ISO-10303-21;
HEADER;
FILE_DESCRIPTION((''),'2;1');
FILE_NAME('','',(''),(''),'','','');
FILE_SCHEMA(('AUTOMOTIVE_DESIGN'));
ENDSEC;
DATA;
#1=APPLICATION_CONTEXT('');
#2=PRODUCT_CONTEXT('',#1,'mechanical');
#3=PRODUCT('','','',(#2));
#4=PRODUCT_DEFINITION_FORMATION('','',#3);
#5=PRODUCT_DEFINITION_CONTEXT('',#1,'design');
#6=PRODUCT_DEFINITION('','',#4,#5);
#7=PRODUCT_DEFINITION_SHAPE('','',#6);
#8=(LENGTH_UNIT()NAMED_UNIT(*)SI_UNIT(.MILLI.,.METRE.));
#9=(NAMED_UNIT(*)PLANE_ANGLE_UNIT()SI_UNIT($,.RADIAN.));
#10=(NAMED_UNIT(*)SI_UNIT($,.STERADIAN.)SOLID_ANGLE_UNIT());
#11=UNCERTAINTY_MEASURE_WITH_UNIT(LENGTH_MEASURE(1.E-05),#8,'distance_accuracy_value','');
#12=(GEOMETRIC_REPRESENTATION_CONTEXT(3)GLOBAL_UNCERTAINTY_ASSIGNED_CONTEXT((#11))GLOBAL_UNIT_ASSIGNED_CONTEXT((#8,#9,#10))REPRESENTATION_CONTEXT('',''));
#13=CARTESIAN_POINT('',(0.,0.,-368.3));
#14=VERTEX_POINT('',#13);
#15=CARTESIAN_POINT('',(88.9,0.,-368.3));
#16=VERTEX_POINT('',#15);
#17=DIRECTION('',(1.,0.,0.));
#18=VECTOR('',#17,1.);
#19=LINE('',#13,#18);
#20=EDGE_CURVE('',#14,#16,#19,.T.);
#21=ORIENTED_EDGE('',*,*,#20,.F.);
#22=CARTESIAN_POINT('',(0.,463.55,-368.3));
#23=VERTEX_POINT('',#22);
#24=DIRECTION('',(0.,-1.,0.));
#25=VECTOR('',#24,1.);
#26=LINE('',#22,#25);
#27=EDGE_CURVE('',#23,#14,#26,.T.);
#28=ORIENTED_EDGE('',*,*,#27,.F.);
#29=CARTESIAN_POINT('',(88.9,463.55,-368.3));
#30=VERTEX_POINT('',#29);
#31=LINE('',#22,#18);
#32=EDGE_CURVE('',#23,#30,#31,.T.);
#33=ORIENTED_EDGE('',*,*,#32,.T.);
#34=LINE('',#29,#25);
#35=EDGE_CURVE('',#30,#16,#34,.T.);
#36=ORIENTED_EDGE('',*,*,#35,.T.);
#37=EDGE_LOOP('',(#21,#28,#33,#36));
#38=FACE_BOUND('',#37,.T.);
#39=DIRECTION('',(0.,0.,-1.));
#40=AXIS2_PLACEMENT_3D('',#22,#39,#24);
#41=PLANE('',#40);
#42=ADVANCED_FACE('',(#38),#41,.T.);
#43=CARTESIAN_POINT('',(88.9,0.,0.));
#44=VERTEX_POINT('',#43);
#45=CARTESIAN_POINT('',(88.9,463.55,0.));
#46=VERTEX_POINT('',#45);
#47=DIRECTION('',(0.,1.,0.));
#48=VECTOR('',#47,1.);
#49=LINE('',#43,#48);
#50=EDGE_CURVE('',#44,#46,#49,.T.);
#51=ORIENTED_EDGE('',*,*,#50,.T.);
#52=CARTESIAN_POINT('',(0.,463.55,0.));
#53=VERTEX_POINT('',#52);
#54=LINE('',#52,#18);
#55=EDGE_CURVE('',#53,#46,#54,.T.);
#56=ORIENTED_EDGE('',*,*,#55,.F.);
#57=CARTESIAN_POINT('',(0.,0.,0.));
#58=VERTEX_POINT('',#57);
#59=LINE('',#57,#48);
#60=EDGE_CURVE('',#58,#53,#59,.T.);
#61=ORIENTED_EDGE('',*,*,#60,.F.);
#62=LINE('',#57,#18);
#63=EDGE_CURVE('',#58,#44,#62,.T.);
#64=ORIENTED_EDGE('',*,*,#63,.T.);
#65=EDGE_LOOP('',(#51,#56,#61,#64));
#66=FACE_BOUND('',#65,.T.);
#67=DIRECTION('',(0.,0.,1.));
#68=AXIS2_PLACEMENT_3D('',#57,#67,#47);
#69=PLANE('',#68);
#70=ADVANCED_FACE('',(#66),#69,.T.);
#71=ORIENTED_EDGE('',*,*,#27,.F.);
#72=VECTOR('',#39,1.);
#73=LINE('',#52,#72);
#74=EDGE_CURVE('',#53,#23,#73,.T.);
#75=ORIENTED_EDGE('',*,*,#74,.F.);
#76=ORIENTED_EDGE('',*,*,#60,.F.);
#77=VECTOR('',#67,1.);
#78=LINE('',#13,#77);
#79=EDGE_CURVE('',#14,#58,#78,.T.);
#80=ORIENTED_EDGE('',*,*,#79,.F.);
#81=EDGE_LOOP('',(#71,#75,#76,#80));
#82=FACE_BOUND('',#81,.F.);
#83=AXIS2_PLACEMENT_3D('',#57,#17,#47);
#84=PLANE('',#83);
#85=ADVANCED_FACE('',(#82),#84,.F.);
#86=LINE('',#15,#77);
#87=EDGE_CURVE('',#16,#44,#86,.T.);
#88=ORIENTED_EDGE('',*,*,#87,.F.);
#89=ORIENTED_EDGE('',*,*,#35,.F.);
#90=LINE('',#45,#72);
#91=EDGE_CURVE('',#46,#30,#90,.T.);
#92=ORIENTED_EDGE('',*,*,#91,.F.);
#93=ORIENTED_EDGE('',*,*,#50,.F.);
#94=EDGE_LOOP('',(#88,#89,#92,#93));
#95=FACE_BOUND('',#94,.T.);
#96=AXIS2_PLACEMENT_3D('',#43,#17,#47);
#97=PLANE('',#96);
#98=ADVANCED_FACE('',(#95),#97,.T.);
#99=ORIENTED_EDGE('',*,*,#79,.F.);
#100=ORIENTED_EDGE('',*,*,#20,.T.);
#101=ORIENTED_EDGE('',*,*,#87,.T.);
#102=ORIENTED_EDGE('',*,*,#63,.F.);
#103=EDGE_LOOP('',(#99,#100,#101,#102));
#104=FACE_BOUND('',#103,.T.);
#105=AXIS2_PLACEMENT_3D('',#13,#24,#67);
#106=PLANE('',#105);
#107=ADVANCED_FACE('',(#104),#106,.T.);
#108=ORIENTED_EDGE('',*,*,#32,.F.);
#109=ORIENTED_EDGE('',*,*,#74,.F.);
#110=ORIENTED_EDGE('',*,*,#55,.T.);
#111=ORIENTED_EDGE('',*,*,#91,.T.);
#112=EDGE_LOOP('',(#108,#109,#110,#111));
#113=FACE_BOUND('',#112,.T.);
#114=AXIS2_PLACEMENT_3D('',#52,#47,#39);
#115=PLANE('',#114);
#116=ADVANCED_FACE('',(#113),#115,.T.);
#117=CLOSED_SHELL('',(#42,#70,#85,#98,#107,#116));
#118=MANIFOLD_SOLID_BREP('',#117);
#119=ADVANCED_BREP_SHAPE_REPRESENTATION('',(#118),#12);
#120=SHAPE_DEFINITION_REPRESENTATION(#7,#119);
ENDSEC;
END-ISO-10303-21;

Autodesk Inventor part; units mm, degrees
ref_plane "YZ Plane" through (0, 0, 0) normal (1, 0, 0) x (0, 1, 0)
ref_plane "XZ Plane" through (0, 0, 0) normal (0, 1, 0) x (-1, 0, 0)
ref_plane "XY Plane" through (0, 0, 0) normal (0, 0, 1) x (1, 0, 0)
sketch "Sketch1" plane through (0, 0, 0) normal (1, 0, 0) x (0, 1, 0)
  line L0 (0, 0) -> (463.55, 0)
  line L1 (463.55, 0) -> (463.55, -368.3)
  line L2 (463.55, -368.3) -> (0, -368.3)
  line L3 (0, -368.3) -> (0, 0)
  dimension "d1" = 463.55
  dimension "d2" = 368.3
extrude "Extrusion1" add sketch "Sketch1" along normal blind 88.9
properties part number "Tankless_Water_Heater" material "ABS Plastic"
